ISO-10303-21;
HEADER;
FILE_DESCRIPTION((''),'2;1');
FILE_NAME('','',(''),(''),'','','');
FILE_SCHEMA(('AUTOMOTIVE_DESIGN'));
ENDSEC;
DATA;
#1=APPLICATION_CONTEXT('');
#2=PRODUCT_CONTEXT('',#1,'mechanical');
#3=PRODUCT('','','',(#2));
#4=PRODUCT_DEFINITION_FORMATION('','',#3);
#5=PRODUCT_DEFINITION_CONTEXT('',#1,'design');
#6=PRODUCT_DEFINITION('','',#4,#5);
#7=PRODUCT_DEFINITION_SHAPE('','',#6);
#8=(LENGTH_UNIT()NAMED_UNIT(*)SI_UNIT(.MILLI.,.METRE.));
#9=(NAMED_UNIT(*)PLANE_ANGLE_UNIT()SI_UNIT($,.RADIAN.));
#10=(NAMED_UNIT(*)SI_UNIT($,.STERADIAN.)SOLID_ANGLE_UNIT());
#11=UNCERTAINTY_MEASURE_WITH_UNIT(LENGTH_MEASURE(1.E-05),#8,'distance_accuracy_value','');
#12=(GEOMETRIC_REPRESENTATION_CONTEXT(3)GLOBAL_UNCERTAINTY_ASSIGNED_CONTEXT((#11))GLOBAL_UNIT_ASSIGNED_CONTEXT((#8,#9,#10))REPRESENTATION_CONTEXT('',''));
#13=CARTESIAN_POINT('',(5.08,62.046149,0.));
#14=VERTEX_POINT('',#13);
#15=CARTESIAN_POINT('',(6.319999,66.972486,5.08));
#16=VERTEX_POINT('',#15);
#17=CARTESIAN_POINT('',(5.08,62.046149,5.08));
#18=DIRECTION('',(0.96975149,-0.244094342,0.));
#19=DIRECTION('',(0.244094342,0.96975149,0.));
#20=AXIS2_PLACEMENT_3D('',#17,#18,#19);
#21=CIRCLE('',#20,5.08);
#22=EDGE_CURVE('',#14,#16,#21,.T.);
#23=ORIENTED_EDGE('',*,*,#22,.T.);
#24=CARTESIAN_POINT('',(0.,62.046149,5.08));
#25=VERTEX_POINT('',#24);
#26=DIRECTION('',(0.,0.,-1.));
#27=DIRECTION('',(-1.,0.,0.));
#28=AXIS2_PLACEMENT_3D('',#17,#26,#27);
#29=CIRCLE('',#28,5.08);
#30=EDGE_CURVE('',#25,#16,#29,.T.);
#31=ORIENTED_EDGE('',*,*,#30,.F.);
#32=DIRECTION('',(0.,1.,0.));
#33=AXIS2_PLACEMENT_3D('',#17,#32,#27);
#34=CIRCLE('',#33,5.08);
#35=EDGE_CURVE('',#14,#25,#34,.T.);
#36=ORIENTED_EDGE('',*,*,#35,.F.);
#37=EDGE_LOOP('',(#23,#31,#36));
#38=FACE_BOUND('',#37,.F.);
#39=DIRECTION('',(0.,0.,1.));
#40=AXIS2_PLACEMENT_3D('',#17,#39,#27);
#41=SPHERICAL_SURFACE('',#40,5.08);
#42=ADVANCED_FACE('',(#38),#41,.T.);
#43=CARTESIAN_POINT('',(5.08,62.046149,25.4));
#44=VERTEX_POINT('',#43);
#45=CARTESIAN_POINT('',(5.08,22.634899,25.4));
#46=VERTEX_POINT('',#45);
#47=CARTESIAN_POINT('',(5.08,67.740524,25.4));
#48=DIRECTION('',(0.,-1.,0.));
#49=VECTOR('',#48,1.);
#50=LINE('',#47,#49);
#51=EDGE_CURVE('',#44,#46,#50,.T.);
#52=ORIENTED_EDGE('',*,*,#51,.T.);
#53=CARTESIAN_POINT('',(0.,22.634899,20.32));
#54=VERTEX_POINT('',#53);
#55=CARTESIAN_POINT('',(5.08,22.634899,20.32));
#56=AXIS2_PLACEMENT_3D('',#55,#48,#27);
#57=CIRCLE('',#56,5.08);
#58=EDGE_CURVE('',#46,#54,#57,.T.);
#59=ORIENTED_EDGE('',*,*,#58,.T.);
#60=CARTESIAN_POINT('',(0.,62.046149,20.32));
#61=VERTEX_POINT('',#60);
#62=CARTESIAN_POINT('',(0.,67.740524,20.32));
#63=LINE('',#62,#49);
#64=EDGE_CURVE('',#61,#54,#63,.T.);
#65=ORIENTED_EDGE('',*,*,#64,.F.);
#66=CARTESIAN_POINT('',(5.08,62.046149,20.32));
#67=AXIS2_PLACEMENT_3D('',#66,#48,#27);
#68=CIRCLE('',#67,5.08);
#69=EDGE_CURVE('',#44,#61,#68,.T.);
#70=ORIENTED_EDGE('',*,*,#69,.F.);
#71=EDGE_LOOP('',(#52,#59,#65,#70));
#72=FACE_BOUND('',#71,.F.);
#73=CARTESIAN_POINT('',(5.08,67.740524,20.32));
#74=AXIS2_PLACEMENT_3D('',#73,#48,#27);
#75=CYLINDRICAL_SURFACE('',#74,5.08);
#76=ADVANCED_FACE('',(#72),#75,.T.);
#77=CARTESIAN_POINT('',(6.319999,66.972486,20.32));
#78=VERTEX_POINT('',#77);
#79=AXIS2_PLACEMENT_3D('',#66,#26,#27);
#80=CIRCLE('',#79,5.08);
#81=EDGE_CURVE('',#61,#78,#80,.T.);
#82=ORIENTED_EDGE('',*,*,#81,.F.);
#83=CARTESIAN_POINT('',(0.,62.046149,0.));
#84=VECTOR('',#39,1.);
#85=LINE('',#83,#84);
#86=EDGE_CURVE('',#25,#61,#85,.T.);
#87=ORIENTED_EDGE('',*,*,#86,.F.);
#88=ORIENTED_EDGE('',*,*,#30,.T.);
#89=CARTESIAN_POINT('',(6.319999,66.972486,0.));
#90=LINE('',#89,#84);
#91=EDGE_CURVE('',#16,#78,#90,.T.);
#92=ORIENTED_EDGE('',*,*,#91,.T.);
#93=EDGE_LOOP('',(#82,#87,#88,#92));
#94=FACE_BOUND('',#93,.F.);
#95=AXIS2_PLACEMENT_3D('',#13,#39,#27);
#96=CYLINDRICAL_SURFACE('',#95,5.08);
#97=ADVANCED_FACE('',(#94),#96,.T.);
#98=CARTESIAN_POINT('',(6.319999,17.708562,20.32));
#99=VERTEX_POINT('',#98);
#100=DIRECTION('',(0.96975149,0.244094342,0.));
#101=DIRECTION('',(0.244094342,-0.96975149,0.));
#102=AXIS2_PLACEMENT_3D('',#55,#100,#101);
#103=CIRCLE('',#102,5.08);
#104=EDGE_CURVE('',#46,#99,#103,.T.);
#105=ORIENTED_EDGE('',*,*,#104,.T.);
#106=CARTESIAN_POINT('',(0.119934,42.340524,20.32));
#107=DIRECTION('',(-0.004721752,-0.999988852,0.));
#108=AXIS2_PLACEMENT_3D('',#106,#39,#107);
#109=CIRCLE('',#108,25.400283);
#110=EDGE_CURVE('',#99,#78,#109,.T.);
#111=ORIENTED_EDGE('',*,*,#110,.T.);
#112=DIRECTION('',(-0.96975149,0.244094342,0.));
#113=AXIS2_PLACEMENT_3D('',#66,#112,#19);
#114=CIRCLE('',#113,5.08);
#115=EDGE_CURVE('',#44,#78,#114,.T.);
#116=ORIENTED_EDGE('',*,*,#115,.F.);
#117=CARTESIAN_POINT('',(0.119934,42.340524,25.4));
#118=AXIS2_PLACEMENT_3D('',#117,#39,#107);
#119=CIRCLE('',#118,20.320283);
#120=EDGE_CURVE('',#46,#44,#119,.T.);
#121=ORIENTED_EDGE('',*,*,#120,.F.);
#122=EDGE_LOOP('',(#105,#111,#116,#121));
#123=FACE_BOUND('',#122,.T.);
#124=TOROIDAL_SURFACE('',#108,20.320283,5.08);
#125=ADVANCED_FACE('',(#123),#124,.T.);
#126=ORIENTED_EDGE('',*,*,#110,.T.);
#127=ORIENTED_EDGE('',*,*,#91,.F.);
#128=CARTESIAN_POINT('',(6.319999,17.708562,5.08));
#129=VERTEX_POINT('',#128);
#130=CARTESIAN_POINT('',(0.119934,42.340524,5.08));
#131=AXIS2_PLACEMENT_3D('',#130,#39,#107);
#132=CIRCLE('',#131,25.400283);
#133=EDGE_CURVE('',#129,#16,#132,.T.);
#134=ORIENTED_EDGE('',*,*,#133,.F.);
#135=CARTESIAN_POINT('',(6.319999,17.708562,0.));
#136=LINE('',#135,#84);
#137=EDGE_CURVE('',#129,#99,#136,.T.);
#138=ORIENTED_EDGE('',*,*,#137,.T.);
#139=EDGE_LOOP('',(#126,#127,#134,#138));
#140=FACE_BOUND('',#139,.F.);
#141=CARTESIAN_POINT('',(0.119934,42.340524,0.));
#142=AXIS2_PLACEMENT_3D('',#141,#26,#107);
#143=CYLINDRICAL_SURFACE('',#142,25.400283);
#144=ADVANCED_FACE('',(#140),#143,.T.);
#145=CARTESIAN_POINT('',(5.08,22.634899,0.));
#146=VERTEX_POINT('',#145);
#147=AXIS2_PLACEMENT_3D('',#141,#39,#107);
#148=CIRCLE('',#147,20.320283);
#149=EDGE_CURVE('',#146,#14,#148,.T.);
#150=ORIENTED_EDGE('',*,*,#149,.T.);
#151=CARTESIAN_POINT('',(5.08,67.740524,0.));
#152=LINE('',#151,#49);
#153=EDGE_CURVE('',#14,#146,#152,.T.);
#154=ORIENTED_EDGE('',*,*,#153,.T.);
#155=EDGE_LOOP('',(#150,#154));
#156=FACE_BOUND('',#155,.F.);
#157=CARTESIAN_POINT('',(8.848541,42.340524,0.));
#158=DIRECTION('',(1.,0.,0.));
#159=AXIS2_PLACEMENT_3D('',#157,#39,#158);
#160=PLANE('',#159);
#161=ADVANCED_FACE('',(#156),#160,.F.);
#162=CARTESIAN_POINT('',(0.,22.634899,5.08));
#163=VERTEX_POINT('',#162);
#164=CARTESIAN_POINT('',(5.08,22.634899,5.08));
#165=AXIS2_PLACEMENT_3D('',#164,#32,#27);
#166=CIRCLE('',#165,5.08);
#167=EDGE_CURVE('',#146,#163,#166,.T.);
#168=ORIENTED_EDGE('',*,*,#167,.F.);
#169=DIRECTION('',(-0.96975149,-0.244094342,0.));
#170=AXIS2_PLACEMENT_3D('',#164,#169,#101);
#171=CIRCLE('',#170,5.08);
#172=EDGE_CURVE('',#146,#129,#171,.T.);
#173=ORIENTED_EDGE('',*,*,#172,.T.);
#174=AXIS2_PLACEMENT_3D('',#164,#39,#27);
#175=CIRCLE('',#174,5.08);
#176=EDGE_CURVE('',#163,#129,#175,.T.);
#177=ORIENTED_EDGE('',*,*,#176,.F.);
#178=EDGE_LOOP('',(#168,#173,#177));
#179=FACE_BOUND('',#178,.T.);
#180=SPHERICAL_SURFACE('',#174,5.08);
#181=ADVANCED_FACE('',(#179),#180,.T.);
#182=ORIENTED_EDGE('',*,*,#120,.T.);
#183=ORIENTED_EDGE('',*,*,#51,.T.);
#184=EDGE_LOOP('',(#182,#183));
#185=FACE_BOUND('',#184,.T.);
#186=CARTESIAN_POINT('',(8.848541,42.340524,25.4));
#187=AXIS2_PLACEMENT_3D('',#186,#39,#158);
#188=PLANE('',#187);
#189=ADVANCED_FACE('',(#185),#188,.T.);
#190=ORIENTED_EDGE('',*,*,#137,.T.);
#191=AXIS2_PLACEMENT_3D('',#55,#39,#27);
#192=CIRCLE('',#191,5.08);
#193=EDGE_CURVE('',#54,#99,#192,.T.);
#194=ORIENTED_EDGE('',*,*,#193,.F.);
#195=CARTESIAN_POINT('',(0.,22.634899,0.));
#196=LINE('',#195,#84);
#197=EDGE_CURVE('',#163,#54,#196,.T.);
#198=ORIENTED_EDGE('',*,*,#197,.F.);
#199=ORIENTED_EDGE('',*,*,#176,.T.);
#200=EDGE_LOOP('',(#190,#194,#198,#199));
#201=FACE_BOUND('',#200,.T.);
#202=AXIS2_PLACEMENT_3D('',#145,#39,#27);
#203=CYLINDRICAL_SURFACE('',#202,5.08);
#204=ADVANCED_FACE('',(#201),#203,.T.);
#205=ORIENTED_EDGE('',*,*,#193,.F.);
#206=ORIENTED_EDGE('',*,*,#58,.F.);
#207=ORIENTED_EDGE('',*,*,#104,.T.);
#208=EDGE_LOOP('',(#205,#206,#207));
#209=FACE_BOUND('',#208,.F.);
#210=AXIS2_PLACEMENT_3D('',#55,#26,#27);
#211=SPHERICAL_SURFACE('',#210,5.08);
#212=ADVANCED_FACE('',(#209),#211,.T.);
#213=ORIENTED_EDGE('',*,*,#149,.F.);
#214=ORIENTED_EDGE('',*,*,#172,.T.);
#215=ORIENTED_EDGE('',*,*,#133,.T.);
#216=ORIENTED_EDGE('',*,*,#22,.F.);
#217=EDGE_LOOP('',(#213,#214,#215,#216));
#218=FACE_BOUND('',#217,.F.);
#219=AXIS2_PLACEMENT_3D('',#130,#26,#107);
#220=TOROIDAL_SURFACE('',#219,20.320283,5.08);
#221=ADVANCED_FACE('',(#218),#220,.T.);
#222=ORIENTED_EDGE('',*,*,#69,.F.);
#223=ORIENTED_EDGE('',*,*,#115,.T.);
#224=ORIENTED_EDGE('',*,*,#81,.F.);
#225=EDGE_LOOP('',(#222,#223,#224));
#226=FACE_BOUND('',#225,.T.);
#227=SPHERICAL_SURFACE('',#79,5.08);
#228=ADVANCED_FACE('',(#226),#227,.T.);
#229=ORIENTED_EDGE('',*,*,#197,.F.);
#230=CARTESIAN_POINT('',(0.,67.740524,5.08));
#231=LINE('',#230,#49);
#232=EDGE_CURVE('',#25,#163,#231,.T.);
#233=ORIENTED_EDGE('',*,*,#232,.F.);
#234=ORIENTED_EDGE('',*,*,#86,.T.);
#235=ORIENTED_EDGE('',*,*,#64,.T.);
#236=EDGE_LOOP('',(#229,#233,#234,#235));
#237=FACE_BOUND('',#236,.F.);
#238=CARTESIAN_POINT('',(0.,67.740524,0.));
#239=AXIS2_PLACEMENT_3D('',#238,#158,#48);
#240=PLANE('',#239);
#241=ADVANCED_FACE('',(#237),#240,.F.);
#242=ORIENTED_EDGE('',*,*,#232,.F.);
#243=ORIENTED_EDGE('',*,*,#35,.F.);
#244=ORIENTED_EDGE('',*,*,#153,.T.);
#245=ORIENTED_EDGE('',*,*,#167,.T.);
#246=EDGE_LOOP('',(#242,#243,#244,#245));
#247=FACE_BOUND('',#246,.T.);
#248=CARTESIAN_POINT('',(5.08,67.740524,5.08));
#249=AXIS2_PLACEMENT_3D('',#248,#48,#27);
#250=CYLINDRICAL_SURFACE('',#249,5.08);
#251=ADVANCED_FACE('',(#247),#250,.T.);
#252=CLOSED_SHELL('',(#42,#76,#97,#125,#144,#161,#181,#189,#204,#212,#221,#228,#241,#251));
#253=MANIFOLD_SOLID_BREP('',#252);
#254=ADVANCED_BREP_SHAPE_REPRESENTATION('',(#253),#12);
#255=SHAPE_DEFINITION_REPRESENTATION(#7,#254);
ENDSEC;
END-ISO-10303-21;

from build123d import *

# Parameters (mm, degrees)
F1_DEPTH = 25.4
F2_R     = 5.08


with BuildPart() as f1:
    # F0 (on Top) → F1 (new body)
    with BuildSketch(Plane.XY):
        with BuildLine():
            Line((0, 67.740524), (0, 16.940524))
            ThreePointArc((0, 16.940524), (25.520217, 42.340524), (0, 67.740524))
        make_face()
    extrude(amount=F1_DEPTH)

    # F2
    f2_edges = [f1.edges().sort_by_distance(p)[0] for p in [
        (0, 42.340524, 25.4),
        (25.520217, 42.340524, 25.4),
        (0, 42.340524, 0),
        (25.520217, 42.340524, 0),
        (0, 16.940524, 12.7),
        (0, 67.740524, 12.7),
    ]]
    fillet(f2_edges, radius=F2_R)


solid = f1.part
